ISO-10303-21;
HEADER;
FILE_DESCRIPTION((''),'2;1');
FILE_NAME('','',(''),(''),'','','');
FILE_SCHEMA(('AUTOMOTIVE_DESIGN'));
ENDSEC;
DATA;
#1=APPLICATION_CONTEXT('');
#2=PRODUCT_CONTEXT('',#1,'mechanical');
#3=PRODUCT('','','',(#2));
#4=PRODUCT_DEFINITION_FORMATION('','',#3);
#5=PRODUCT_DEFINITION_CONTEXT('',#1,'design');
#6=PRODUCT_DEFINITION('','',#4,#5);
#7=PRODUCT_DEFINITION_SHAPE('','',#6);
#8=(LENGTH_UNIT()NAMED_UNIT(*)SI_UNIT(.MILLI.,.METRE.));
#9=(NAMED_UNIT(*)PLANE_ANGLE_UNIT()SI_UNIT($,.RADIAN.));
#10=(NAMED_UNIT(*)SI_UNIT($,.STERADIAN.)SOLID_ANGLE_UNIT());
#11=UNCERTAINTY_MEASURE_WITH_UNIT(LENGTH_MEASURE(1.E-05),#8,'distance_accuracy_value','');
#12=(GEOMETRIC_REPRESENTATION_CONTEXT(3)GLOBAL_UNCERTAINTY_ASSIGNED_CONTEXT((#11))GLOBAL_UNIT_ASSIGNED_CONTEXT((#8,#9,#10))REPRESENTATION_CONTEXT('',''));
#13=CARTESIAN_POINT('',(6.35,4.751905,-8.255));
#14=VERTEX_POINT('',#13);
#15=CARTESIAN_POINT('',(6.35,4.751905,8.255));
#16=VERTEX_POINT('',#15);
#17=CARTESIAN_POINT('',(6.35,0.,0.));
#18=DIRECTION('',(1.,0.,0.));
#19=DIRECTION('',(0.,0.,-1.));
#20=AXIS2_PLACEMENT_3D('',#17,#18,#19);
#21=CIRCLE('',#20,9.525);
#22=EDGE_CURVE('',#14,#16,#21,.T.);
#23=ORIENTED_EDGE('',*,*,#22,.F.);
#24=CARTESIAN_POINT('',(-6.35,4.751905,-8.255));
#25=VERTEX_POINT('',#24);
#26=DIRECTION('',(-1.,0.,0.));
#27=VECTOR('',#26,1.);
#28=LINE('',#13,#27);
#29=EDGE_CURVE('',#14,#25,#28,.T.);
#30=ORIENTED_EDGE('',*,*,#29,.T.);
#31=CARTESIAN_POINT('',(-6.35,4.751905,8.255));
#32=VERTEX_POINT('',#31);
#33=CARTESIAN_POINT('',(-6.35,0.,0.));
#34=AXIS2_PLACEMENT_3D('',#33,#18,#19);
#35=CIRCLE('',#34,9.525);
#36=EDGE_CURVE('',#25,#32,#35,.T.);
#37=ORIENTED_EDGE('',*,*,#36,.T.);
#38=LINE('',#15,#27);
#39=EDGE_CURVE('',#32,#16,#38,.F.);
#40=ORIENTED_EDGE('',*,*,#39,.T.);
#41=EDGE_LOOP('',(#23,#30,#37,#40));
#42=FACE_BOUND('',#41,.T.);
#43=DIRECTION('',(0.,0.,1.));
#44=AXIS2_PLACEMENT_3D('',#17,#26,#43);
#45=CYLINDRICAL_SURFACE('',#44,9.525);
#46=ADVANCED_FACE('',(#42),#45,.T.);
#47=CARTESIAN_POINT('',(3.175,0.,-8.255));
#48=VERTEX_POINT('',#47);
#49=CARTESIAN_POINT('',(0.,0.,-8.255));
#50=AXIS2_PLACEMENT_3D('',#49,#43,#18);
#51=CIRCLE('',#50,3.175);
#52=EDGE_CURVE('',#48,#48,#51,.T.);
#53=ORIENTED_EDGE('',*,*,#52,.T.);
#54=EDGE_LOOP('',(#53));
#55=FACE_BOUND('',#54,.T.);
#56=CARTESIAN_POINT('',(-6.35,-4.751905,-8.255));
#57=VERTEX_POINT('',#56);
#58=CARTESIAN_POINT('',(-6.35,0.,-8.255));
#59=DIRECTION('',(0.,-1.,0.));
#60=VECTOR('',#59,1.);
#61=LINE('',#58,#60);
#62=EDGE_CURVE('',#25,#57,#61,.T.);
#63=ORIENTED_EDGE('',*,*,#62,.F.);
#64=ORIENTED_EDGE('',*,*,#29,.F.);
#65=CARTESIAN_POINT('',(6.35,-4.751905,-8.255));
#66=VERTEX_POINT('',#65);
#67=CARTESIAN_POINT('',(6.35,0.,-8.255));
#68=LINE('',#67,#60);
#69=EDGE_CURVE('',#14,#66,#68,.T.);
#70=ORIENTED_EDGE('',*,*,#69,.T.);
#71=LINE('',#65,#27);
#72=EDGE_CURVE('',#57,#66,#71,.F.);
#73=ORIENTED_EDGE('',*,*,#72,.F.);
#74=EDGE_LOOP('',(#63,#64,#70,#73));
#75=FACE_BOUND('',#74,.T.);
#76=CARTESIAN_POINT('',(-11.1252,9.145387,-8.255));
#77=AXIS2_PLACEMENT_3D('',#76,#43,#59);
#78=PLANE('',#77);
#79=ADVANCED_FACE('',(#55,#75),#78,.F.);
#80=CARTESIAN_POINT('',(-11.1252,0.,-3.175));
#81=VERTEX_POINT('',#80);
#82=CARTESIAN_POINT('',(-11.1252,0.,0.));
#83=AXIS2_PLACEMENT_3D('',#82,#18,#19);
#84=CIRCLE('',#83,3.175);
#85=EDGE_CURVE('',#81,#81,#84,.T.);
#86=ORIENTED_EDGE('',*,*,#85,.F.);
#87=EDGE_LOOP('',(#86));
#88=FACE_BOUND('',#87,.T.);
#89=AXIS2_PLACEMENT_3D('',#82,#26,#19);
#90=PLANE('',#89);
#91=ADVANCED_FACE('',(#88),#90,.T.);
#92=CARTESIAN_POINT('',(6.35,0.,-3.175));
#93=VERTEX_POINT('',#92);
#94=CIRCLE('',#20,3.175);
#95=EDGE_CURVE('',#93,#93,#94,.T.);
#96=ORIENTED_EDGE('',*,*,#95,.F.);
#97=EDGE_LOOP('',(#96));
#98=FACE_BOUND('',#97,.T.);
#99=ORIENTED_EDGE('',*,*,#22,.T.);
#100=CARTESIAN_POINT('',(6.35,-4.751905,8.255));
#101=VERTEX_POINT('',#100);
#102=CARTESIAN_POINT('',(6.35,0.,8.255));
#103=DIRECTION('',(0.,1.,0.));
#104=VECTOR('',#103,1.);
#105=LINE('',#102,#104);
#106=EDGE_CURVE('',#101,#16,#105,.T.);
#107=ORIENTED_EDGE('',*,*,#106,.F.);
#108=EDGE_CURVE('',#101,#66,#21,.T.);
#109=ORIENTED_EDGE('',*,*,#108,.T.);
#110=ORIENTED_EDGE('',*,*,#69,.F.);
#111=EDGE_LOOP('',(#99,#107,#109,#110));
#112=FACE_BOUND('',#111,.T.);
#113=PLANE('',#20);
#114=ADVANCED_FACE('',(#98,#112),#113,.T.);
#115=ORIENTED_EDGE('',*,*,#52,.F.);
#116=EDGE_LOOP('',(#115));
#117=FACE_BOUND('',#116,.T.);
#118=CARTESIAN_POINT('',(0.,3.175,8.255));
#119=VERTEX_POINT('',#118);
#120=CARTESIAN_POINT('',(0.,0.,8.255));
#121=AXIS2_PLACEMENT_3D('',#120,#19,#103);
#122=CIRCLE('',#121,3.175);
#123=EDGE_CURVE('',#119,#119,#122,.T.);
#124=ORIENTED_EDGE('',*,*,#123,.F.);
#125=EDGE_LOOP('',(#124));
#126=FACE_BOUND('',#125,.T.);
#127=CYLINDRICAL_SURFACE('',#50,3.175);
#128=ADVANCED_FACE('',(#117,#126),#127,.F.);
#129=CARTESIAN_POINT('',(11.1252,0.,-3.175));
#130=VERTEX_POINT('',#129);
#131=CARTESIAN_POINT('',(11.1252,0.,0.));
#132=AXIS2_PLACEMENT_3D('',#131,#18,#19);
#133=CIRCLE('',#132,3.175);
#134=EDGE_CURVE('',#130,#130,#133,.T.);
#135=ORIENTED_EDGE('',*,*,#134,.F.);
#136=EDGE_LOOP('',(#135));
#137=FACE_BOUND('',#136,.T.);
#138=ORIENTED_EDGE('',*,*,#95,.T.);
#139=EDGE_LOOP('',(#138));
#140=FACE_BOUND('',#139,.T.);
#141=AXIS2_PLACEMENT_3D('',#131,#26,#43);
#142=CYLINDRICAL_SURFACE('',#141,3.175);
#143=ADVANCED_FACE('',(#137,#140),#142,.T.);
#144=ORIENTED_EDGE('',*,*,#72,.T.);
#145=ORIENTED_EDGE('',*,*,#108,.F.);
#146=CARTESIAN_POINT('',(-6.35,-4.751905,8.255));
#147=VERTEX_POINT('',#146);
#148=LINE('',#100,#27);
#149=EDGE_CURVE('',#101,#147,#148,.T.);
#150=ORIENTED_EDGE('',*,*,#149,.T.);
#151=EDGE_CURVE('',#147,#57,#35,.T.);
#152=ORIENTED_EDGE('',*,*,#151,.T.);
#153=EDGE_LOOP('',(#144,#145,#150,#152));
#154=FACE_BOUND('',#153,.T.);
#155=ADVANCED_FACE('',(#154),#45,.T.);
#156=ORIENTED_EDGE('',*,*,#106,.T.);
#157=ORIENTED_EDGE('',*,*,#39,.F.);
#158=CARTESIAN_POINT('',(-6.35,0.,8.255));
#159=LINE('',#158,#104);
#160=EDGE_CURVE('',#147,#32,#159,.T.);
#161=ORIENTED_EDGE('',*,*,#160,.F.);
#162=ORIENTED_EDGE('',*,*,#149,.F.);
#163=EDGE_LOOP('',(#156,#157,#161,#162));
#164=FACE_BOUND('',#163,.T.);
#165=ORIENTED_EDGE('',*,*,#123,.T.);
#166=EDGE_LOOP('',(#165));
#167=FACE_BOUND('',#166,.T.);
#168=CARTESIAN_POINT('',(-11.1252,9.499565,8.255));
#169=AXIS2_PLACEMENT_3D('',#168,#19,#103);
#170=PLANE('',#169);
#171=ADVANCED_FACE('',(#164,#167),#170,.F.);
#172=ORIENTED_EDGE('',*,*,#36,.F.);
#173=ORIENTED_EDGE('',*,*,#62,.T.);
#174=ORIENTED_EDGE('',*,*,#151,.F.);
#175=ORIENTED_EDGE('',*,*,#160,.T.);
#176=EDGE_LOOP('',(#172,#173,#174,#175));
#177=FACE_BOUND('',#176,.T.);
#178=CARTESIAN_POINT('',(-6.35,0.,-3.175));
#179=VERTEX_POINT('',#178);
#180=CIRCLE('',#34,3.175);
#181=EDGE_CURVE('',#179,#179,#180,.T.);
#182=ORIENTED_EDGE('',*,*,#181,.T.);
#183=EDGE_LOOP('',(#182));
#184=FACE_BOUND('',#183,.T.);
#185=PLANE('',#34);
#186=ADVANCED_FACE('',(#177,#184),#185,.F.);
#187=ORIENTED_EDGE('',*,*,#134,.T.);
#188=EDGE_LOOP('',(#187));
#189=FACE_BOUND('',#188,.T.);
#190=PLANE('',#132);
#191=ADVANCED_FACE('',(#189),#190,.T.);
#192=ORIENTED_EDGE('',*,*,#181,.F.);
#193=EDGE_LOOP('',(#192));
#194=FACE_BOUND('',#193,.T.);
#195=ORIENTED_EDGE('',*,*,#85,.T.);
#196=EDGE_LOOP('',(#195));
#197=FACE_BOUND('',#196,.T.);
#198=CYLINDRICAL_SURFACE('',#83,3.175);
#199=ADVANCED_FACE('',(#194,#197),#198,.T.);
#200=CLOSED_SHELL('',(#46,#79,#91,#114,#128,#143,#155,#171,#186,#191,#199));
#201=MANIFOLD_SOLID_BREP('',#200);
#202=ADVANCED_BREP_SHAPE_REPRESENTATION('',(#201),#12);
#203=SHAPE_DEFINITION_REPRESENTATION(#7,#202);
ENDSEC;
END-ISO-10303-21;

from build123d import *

# Parameters (mm, degrees)
SKETCH1_R               = 9.525
BOSS_EXTRUDE1_DEPTH     = 6.35
SKETCH2_R               = 3.175
BOSS_EXTRUDE2_DEPTH     = 4.7752
CUT_EXTRUDE1_DEPTH      = 23.064312023
CUT_EXTRUDE1_DEPTH_BACK = 23.064312023
SKETCH3_W               = 7.260653016
SKETCH3_H               = 19.707486758
SKETCH3_W_2             = 5.945134003
SKETCH3_H_2             = 19.682188315
CUT_EXTRUDE2_DEPTH      = 23.069793838
CUT_EXTRUDE2_DEPTH_BACK = 23.069793838
SKETCH4_R               = 3.175


with BuildPart() as part:
    # Sketch1 → Boss-Extrude1 (new, symmetric)
    with BuildSketch(Plane(origin=(0, 0, 0), x_dir=(0, 0, -1), z_dir=(1, 0, 0))):
        Circle(SKETCH1_R)
    extrude(amount=BOSS_EXTRUDE1_DEPTH, both=True)

    # Sketch2 → Boss-Extrude2 (add)
    with BuildSketch(Plane(origin=(6.35, 0, 0), x_dir=(0, 0, -1), z_dir=(1, 0, 0))):
        Circle(SKETCH2_R)
    boss_extrude2 = extrude(amount=BOSS_EXTRUDE2_DEPTH)

    # Mirror1: Boss-Extrude2 across plane
    add(boss_extrude2.mirror(Plane(origin=(0, 0, 0), x_dir=(0, 0, 1), z_dir=(1, 0, 0))))

    # Sketch3 → Cut-Extrude1 (cut, two sides: drawn at the far end of the back side and taken through both)
    with BuildSketch(Plane(origin=(6.35, 0, 0), x_dir=(0, 0, -1), z_dir=(1, 0, 0)).offset(-CUT_EXTRUDE1_DEPTH_BACK)):
        with Locations((-11.885326508, -0.354178196)):
            Rectangle(SKETCH3_W, SKETCH3_H)
        with Locations((11.227567002, -0.695707171)):
            Rectangle(SKETCH3_W_2, SKETCH3_H_2)
    extrude(amount=CUT_EXTRUDE1_DEPTH + CUT_EXTRUDE1_DEPTH_BACK, mode=Mode.SUBTRACT)

    # Sketch4 → Cut-Extrude2 (cut, two sides: drawn at the far end of the back side and taken through both)
    with BuildSketch(Plane.XY.offset(8.255).offset(-CUT_EXTRUDE2_DEPTH_BACK)):
        Circle(SKETCH4_R)
    extrude(amount=CUT_EXTRUDE2_DEPTH + CUT_EXTRUDE2_DEPTH_BACK, mode=Mode.SUBTRACT)


solid = part.part
